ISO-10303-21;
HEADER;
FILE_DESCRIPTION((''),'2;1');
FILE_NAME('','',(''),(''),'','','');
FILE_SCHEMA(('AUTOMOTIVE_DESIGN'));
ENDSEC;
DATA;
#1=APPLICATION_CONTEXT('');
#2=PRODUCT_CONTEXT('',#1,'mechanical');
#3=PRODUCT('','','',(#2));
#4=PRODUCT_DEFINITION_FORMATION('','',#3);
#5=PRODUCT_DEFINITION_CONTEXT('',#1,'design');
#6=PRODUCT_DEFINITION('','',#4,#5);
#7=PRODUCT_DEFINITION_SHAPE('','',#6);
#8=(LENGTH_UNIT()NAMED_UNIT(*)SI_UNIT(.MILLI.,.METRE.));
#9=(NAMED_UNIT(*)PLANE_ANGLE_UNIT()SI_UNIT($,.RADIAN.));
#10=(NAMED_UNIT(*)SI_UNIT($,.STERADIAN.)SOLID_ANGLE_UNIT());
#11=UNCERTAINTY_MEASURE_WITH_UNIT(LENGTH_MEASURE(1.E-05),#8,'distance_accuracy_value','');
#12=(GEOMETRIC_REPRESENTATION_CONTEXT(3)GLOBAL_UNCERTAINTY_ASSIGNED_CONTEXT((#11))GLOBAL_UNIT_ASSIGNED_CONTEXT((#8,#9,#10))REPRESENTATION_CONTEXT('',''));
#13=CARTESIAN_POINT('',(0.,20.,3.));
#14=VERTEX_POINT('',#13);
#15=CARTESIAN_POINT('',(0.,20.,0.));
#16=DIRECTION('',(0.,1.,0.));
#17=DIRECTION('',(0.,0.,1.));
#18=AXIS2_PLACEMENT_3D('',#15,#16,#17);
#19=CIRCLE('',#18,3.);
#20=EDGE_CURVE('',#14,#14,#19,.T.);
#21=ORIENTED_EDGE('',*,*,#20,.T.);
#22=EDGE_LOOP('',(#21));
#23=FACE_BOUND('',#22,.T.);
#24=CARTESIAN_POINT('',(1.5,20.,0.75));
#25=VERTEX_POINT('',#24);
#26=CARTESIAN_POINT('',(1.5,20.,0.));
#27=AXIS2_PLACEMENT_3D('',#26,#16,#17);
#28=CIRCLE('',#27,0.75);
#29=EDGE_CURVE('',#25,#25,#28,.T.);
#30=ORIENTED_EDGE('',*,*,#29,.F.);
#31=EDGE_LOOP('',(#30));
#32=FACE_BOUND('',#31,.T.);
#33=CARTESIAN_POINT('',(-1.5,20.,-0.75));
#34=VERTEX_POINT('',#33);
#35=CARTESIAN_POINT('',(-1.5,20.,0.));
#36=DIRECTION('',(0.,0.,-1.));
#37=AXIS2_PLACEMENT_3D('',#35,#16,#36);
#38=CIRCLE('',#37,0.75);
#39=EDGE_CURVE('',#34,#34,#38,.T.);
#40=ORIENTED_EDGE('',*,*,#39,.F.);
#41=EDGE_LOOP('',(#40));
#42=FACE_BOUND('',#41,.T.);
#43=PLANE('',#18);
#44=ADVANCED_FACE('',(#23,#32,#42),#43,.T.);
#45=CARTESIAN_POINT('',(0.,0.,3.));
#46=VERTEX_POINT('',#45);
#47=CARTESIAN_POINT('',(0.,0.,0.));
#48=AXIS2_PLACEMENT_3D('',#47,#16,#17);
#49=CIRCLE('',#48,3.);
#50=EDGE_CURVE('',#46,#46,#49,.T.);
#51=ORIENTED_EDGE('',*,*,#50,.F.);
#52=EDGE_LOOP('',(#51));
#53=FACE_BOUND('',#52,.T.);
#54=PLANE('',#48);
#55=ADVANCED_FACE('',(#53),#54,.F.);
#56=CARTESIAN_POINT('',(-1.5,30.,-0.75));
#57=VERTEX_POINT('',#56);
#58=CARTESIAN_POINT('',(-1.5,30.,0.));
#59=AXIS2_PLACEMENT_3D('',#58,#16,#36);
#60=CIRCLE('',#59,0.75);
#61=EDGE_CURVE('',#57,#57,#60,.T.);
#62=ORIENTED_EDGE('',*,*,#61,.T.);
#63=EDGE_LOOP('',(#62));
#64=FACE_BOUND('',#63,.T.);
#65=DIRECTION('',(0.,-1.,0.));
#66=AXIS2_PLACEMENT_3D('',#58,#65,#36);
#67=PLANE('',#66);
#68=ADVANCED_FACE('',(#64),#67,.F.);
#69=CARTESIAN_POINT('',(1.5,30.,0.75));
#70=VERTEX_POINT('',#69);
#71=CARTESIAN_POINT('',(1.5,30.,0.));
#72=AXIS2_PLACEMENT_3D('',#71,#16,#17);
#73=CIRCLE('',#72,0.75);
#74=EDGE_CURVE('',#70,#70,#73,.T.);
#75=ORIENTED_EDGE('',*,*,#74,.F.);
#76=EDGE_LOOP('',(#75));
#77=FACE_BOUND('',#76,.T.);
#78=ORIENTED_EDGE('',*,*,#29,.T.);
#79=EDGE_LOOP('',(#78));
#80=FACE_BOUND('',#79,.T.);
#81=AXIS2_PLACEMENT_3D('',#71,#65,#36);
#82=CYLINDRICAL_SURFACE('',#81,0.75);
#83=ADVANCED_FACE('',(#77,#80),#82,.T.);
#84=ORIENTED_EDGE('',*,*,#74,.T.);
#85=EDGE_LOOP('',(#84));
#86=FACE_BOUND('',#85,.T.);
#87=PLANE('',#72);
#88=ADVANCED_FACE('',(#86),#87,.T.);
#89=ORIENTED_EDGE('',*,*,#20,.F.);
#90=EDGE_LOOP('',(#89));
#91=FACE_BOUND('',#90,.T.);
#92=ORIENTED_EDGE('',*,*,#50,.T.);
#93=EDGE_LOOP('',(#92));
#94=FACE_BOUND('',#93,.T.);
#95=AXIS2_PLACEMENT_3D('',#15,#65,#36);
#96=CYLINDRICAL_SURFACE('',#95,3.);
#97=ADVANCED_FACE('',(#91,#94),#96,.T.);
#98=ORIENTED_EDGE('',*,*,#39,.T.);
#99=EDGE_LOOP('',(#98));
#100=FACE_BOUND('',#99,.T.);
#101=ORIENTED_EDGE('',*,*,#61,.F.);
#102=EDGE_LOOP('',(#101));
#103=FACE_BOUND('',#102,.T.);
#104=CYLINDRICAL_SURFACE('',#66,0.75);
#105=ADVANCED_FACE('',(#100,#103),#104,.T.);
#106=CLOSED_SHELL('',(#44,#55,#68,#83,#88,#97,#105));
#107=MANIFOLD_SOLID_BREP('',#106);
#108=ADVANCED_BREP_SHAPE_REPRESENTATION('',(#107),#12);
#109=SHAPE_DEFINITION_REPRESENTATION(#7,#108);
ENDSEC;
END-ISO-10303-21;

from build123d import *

# Parameters (mm, degrees)
SKETCH1_R           = 3
BOSS_EXTRUDE1_DEPTH = 20
SKETCH2_R           = 0.75
BOSS_EXTRUDE2_DEPTH = 10


with BuildPart() as part:
    # Sketch1 → Boss-Extrude1 (new body)
    with BuildSketch(Plane(origin=(0, 0, 0), x_dir=(1, 0, 0), z_dir=(0, 1, 0))):
        Circle(SKETCH1_R)
    extrude(amount=BOSS_EXTRUDE1_DEPTH)

    # Sketch2 → Boss-Extrude2 (add)
    with BuildSketch(Plane(origin=(0, 20, 0), x_dir=(1, 0, 0), z_dir=(0, 1, 0))):
        with Locations((1.5, 0)):
            Circle(SKETCH2_R)
        with Locations((-1.5, 0)):
            Circle(SKETCH2_R)
    extrude(amount=BOSS_EXTRUDE2_DEPTH)


solid = part.part
